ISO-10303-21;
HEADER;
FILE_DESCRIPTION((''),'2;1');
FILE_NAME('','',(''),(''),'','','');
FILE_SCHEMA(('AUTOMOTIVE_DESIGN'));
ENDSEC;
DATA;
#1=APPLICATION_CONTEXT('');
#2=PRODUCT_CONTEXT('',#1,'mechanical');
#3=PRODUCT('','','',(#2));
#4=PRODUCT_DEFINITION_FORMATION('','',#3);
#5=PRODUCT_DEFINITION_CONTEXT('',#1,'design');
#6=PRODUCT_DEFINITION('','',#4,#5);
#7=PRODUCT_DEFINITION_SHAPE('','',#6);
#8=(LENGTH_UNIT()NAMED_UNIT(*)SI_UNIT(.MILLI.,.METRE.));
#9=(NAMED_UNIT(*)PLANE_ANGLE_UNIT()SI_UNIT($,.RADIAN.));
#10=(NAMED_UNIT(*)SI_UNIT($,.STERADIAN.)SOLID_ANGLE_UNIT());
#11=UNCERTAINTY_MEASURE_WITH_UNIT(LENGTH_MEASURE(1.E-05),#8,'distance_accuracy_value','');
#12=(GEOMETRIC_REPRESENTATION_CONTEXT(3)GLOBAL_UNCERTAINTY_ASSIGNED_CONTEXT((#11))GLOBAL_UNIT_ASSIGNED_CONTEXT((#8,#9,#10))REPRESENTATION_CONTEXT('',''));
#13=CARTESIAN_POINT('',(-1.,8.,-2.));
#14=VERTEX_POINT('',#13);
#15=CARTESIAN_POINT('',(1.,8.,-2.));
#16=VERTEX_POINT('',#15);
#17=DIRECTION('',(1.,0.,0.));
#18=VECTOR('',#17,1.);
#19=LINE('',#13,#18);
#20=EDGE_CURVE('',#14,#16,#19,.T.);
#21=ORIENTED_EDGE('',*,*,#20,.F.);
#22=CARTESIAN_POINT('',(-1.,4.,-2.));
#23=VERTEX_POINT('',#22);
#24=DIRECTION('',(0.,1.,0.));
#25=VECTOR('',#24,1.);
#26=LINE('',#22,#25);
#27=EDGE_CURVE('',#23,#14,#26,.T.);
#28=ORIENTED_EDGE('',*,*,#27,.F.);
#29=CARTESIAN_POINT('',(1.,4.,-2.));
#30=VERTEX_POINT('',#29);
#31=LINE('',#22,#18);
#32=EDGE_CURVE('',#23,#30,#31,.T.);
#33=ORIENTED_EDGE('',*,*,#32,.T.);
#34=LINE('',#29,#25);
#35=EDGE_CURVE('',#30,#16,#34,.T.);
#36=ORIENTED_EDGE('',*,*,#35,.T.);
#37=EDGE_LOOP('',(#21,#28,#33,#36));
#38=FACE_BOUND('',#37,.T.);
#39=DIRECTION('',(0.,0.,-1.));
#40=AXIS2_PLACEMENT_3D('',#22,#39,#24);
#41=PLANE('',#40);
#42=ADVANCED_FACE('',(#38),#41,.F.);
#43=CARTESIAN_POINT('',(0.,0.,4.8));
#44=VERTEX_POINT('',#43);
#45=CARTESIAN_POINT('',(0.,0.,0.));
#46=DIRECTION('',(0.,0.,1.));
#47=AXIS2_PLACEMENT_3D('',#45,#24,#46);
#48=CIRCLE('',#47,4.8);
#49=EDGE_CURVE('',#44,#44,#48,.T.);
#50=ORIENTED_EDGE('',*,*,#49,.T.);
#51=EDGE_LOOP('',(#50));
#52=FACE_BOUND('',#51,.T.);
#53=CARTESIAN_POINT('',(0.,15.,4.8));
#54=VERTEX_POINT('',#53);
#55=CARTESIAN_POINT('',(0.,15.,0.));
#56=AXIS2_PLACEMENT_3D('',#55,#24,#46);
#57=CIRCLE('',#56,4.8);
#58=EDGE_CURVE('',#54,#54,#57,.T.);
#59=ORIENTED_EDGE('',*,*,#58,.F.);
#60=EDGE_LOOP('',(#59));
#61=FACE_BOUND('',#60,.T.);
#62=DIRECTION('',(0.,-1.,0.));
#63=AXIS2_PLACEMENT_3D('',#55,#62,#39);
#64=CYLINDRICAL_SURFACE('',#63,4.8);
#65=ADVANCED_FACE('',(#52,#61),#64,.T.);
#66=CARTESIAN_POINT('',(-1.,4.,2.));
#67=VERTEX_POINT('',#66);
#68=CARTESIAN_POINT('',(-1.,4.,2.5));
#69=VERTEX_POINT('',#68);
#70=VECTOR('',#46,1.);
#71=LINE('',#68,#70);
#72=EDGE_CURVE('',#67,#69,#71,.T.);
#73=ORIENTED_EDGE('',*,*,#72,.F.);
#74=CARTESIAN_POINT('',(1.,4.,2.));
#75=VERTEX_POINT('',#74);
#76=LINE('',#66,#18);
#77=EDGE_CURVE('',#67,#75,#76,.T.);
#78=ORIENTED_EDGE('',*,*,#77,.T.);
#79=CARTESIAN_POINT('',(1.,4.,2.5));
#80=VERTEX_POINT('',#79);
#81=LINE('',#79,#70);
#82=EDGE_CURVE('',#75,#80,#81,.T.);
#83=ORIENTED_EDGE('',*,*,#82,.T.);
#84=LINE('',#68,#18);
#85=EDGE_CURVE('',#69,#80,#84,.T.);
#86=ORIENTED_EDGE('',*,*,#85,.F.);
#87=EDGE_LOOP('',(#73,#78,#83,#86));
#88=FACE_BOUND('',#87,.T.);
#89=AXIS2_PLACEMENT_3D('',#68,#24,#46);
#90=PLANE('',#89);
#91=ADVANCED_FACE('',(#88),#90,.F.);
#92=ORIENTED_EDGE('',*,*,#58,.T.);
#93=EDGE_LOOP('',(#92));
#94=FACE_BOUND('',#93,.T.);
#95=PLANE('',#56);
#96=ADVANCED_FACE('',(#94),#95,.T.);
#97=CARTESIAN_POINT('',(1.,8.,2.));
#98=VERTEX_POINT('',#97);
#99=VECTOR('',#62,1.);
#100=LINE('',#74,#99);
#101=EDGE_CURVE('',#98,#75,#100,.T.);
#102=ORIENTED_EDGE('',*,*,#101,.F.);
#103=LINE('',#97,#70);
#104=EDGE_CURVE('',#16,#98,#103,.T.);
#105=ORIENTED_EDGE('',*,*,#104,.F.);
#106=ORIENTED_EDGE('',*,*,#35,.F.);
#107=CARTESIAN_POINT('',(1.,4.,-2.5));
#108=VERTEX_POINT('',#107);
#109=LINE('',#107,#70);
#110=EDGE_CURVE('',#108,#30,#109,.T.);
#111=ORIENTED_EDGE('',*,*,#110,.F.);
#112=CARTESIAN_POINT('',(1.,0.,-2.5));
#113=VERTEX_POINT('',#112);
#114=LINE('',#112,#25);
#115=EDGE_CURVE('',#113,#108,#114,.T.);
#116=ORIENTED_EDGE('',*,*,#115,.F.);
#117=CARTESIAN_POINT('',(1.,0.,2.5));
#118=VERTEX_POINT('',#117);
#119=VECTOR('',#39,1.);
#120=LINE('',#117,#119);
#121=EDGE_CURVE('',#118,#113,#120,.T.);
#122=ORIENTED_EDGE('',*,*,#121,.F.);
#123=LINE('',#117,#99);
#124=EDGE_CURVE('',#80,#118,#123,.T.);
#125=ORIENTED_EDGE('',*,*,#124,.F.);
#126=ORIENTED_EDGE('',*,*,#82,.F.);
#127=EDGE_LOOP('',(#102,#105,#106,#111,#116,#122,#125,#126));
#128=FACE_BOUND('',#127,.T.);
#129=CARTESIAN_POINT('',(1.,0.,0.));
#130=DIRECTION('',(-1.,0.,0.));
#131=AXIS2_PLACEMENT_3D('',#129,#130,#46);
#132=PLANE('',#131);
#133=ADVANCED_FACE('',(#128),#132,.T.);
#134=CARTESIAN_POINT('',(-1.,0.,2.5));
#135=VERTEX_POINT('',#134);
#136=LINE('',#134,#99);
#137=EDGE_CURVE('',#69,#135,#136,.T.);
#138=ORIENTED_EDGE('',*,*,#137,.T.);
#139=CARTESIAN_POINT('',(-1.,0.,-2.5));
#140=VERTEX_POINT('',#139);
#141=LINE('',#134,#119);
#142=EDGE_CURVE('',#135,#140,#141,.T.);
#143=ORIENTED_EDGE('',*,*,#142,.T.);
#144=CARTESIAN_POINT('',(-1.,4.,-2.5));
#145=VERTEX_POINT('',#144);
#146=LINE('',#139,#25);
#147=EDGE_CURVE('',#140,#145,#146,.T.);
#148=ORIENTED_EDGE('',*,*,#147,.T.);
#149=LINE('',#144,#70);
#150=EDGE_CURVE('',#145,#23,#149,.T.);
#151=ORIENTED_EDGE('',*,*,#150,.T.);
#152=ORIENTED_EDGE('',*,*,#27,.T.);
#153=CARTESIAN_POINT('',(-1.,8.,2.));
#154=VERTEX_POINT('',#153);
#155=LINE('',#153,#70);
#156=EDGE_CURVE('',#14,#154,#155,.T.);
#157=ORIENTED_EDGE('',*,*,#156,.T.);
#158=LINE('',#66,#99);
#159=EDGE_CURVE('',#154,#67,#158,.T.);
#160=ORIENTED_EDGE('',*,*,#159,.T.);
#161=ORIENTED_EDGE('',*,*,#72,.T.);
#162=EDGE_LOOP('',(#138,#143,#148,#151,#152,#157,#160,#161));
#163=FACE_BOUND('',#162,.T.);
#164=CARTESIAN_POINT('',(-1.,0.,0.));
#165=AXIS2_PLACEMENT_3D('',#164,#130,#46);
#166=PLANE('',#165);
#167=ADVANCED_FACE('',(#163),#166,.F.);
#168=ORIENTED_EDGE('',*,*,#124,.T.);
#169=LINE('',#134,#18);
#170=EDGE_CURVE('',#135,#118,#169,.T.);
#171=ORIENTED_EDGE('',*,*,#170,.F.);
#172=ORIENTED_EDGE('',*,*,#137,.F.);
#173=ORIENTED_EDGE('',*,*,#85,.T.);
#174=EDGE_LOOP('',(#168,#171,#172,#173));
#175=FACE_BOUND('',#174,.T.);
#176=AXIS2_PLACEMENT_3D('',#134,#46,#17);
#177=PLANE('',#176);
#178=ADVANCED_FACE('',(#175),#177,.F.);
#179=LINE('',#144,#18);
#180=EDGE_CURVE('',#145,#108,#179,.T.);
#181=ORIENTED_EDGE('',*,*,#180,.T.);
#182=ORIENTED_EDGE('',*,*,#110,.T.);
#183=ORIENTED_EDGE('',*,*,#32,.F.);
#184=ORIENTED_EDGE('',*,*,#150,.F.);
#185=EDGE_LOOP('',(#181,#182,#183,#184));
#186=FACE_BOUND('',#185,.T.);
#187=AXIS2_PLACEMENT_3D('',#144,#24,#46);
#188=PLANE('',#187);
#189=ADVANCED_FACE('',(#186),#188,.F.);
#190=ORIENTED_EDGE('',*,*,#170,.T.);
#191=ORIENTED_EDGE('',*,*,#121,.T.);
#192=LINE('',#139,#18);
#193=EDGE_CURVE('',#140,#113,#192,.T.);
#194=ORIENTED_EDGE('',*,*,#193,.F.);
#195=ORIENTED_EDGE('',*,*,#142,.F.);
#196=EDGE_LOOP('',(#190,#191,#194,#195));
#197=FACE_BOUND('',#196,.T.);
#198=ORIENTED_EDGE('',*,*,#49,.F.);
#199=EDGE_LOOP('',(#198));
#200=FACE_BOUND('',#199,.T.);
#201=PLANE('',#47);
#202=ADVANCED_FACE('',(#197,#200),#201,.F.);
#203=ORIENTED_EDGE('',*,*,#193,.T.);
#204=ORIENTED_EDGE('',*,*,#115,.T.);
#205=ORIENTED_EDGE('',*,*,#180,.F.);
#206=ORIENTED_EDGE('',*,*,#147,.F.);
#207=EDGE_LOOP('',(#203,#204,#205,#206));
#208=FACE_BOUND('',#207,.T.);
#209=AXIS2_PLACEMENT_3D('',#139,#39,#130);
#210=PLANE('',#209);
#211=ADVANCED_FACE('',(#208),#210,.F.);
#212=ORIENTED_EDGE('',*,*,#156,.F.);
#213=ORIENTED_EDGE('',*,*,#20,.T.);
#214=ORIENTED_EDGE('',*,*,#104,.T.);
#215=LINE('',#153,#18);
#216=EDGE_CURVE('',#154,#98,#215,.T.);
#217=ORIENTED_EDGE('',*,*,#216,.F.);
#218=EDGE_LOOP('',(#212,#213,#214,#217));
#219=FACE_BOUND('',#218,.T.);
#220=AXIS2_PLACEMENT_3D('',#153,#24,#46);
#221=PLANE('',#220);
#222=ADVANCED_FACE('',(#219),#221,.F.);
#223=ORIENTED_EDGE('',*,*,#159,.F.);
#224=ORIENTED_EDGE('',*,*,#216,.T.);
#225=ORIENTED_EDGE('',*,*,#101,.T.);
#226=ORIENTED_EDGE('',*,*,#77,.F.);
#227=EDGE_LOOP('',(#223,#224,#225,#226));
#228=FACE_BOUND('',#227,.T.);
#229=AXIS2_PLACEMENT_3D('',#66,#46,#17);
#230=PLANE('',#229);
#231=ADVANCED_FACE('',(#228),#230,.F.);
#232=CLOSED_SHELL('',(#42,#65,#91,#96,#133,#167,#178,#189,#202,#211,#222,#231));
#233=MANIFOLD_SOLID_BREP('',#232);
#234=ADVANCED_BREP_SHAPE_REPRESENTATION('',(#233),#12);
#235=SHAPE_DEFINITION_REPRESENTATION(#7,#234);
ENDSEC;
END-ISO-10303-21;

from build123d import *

# Parameters (mm, degrees)
SKETCH1_R           = 4.8
BOSS_EXTRUDE1_DEPTH = 15
CUT_EXTRUDE1_DEPTH  = 1


with BuildPart() as part:
    # Sketch1 → Boss-Extrude1 (new body)
    with BuildSketch(Plane(origin=(0, 0, 0), x_dir=(1, 0, 0), z_dir=(0, 1, 0))):
        with Locations(Location((0, 0, 0), (0, 0, 270))):  # turned: the seam where the file's is
            Circle(SKETCH1_R)
    extrude(amount=BOSS_EXTRUDE1_DEPTH)

    # Sketch2 → Cut-Extrude1 (cut, symmetric)
    with BuildSketch(Plane(origin=(0, 0, 0), x_dir=(0, 0, -1), z_dir=(1, 0, 0))):
        Polygon((-2.5, 0), (2.5, 0), (2.5, 4), (2, 4), (2, 8), (-2, 8), (-2, 4), (-2.5, 4), align=None)
    extrude(amount=CUT_EXTRUDE1_DEPTH, both=True, mode=Mode.SUBTRACT)


solid = part.part
